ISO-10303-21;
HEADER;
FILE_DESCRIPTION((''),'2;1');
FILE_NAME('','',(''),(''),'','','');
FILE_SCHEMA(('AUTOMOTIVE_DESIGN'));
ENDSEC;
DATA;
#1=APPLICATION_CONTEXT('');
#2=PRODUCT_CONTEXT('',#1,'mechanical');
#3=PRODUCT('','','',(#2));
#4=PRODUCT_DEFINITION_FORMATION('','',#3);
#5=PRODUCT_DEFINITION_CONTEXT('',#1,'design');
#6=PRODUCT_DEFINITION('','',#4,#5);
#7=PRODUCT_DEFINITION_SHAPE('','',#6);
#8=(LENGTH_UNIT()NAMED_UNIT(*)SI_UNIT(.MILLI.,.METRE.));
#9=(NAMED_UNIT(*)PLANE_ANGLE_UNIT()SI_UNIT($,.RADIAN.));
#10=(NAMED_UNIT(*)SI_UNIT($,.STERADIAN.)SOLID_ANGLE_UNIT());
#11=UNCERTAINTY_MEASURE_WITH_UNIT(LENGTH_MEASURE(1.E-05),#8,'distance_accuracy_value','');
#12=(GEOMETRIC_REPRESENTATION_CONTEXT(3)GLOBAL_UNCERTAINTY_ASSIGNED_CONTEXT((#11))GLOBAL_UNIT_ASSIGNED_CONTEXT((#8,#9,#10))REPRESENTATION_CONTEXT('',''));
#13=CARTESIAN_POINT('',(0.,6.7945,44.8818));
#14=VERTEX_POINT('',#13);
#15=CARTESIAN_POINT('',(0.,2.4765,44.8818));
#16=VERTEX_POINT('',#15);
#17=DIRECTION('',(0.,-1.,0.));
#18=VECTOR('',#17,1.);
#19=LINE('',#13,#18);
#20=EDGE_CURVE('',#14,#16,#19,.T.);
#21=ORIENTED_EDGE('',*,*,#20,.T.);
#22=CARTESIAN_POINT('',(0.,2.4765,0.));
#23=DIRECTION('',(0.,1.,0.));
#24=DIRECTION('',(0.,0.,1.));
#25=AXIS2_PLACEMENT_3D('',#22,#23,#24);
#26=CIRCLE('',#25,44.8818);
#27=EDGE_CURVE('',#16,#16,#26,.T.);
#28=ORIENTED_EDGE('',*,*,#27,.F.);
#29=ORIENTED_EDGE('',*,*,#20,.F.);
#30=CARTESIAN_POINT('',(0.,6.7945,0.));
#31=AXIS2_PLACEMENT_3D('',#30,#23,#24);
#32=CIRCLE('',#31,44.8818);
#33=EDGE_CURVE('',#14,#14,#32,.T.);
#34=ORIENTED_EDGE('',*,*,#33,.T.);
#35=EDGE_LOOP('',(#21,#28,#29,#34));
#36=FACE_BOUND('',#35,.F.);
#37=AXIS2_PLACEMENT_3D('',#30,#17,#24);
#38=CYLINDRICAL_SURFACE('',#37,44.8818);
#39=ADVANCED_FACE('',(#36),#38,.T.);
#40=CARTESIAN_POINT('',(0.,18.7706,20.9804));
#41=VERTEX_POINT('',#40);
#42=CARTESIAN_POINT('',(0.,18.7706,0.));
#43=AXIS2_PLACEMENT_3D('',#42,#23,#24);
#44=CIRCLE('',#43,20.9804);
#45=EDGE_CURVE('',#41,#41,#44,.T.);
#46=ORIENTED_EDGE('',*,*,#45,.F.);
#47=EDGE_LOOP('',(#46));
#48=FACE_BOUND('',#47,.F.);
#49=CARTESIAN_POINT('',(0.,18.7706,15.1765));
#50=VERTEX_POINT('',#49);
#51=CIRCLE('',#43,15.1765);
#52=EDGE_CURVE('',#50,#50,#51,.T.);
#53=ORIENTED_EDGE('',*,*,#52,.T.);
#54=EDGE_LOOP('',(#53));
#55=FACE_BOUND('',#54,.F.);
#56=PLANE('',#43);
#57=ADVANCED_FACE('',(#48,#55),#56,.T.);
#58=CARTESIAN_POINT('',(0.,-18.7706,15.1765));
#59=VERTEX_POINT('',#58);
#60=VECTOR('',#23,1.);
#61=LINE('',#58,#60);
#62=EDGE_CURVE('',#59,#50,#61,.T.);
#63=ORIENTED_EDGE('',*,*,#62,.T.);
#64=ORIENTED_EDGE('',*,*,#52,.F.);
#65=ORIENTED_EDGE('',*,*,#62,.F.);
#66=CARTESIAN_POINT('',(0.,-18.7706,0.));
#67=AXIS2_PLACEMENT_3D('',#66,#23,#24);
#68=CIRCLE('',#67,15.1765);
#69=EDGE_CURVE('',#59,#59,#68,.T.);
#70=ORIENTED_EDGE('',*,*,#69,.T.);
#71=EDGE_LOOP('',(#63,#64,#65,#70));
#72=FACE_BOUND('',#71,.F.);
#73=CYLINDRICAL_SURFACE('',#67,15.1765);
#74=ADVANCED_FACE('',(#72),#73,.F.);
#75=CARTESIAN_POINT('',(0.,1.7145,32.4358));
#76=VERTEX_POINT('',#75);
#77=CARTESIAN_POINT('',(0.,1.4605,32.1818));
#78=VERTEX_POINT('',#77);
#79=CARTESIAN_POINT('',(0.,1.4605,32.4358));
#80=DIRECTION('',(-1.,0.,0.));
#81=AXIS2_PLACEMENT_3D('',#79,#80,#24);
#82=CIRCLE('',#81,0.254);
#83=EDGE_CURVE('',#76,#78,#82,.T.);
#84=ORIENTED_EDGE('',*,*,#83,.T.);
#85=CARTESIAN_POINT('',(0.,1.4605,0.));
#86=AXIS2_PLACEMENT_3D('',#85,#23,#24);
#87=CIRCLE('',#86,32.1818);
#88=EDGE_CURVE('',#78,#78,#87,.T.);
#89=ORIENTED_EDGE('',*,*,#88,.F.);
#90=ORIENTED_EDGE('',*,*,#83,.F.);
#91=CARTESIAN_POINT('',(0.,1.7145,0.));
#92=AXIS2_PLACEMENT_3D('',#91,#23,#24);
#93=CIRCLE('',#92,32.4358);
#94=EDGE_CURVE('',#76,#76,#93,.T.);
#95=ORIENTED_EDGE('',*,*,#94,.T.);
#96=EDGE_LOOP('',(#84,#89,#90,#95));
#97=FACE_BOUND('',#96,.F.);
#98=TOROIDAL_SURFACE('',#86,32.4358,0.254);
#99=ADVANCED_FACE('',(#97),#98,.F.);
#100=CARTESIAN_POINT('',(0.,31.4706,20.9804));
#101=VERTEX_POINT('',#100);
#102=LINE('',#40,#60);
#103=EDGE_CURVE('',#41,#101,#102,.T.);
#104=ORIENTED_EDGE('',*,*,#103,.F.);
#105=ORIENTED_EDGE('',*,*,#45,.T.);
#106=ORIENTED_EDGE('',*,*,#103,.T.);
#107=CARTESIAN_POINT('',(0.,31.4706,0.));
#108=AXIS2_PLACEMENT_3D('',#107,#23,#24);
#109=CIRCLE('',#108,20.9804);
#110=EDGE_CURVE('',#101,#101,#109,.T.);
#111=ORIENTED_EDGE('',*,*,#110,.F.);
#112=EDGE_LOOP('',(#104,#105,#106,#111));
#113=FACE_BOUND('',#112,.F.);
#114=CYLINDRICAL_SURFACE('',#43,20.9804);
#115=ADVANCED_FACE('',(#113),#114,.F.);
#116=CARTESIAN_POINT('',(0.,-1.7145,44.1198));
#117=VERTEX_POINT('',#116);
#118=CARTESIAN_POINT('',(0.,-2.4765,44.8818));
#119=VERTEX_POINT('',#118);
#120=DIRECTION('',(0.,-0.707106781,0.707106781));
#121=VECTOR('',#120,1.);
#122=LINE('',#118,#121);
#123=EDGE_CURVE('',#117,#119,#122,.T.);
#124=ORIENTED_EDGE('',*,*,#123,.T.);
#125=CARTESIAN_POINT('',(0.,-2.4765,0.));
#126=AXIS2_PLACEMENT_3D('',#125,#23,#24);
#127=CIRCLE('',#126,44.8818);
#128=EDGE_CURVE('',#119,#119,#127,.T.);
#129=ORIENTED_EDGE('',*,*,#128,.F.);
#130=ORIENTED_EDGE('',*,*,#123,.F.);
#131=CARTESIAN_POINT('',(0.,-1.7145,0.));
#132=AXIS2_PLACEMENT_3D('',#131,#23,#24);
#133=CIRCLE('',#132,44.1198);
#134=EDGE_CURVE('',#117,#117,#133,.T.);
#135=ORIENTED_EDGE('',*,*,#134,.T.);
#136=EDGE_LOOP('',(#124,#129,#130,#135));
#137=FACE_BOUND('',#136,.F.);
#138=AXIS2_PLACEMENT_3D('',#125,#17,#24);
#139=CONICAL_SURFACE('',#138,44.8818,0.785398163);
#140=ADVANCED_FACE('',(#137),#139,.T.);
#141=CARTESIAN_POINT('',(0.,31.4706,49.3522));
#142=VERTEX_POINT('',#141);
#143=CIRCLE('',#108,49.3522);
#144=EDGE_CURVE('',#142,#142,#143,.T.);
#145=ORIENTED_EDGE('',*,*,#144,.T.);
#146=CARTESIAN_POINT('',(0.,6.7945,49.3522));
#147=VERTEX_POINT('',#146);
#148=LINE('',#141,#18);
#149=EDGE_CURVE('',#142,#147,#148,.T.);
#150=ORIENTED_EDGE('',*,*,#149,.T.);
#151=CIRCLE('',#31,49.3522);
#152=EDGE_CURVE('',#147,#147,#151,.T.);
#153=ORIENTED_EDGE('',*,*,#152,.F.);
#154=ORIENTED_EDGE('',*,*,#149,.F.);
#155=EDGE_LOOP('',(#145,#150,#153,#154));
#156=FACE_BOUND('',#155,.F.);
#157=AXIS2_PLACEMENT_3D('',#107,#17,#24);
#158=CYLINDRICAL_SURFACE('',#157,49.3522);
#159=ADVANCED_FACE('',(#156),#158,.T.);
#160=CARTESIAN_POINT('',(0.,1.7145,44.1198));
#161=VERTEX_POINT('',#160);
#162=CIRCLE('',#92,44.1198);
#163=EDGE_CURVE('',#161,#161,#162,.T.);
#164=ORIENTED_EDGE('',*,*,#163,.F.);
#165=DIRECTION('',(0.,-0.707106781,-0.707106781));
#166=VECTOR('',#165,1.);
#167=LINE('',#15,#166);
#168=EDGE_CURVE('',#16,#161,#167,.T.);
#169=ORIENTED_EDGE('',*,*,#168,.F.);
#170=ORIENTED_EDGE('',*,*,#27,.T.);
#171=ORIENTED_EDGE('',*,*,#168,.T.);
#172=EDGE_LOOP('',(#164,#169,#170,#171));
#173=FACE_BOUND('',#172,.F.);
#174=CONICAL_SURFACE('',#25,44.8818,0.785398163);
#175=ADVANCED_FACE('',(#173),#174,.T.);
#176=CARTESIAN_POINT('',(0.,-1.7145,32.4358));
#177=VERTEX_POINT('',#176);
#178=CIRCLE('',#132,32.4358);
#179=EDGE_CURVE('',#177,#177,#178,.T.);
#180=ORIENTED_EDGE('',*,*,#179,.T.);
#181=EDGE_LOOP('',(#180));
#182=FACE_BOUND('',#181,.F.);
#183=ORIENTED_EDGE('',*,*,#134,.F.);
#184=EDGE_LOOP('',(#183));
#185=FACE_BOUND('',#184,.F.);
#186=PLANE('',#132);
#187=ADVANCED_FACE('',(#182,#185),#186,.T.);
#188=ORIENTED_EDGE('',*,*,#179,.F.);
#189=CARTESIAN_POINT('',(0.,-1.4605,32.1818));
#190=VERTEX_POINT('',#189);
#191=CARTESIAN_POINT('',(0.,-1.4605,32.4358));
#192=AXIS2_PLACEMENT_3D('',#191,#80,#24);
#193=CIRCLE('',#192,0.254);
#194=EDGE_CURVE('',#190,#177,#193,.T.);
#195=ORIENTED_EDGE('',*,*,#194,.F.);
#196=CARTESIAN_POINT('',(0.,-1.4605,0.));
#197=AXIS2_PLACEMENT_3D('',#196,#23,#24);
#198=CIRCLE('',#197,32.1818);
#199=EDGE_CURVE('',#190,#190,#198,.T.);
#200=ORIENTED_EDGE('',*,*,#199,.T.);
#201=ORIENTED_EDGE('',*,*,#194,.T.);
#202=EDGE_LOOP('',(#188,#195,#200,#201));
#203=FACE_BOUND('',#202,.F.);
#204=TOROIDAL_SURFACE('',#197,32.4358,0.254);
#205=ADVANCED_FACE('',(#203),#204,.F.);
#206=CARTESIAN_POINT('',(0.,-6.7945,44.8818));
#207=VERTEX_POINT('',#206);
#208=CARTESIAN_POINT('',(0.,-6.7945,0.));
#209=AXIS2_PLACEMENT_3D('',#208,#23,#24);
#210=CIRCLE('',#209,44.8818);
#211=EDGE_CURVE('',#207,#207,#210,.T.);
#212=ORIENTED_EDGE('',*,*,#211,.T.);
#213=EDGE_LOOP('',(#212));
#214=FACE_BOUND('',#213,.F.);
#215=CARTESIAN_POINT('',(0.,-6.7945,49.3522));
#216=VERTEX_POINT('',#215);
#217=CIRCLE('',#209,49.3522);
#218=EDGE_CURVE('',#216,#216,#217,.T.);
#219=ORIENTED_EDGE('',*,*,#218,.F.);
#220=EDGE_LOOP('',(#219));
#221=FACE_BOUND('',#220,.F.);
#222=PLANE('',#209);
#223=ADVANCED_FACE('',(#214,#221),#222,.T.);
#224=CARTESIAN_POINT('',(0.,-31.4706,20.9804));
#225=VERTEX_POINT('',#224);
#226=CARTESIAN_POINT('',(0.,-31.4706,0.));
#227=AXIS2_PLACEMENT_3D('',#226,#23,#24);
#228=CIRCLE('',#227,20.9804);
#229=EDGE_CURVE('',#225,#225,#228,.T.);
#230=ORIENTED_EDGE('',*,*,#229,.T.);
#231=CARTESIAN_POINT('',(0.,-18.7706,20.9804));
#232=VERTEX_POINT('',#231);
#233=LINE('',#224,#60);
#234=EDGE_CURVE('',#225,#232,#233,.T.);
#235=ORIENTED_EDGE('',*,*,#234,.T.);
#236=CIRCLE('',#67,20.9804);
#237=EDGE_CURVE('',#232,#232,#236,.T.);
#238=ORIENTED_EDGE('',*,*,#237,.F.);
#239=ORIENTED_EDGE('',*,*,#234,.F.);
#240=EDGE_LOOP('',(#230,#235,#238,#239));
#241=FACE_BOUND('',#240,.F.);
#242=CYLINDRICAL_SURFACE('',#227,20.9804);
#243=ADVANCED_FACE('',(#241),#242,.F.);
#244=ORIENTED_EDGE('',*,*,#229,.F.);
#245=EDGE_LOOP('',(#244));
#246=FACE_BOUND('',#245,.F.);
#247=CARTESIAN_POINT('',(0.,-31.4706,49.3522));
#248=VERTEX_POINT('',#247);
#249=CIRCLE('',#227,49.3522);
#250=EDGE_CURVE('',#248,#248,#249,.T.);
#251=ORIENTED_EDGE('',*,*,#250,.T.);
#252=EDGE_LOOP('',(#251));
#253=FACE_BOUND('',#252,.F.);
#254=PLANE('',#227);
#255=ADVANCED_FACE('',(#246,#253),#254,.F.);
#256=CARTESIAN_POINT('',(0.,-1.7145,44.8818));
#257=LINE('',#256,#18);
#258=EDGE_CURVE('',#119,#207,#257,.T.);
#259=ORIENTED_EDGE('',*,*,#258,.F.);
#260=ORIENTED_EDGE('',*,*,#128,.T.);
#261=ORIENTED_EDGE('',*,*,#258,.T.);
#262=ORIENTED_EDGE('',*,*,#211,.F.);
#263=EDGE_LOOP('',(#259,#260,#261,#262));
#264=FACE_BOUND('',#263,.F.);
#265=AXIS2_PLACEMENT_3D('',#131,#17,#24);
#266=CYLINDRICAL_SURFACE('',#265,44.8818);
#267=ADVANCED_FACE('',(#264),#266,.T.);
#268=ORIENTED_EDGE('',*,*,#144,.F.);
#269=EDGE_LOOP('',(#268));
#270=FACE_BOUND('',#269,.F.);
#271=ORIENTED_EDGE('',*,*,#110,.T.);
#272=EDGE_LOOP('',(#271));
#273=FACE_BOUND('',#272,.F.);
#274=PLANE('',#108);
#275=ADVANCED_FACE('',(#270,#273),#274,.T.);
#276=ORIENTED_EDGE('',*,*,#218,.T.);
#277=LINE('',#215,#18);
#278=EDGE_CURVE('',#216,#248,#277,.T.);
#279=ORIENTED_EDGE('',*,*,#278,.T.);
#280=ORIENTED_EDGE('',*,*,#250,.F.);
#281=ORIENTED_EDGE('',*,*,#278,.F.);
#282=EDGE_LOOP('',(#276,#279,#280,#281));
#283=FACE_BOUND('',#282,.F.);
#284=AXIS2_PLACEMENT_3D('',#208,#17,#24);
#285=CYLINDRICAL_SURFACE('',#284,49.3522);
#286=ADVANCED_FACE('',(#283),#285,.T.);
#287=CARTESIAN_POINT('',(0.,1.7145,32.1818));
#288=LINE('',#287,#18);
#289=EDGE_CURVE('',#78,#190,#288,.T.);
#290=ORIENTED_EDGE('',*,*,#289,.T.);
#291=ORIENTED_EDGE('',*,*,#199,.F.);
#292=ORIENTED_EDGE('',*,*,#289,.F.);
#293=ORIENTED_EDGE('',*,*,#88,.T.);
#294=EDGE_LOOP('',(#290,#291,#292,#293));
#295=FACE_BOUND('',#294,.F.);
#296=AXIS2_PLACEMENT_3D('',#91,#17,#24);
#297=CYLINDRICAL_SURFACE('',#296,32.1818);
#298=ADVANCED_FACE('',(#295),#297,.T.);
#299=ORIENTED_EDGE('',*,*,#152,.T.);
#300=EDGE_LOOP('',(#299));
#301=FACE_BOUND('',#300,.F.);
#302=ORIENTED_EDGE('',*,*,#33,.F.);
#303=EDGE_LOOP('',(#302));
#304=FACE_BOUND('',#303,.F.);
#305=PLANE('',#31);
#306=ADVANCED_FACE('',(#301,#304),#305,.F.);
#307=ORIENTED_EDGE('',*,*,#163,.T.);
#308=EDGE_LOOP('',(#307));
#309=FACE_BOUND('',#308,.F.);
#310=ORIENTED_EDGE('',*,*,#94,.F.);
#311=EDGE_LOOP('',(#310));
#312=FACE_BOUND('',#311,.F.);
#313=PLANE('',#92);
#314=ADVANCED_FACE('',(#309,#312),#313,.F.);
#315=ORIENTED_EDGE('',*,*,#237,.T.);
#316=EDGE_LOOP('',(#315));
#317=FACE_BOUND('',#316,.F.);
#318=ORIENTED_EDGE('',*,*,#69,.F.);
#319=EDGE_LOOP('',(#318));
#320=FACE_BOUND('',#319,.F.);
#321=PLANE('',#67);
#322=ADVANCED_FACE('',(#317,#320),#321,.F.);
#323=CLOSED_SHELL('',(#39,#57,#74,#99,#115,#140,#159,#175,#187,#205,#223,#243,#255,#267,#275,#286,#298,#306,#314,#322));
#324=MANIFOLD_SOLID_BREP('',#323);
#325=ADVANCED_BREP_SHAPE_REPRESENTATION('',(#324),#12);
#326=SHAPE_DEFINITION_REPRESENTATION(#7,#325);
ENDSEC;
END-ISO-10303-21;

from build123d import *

# Parameters (mm, degrees)
F2_SIZE = 0.762
F3_R    = 0.254


with BuildPart() as f1:
    # F0 (on Right) → F1 (revolve)
    with BuildSketch(Plane.YZ):
        Polygon((-18.7706, 15.1765), (0, 15.1765), (18.7706, 15.1765), (18.7706, 20.9804), (31.4706, 20.9804), (31.4706, 49.3522), (6.7945, 49.3522), (6.7945, 44.8818), (1.7145, 44.8818), (1.7145, 32.1818), (-1.7145, 32.1818), (-1.7145, 44.8818), (-6.7945, 44.8818), (-6.7945, 49.3522), (-31.4706, 49.3522), (-31.4706, 20.9804), (-18.7706, 20.9804), align=None)
    revolve(axis=Axis((0, -0.984378, 0), (0, 1, 0)))

    # F2
    f2_edges = [f1.edges().sort_by_distance(p)[0] for p in [
        (0, 1.7145, -44.8818),
        (0, -1.7145, -44.8818),
    ]]
    chamfer(f2_edges, length=F2_SIZE)

    # F3
    f3_edges = [f1.edges().sort_by_distance(p)[0] for p in [
        (0, -1.7145, -32.1818),
        (0, 1.7145, -32.1818),
    ]]
    fillet(f3_edges, radius=F3_R)


solid = f1.part
